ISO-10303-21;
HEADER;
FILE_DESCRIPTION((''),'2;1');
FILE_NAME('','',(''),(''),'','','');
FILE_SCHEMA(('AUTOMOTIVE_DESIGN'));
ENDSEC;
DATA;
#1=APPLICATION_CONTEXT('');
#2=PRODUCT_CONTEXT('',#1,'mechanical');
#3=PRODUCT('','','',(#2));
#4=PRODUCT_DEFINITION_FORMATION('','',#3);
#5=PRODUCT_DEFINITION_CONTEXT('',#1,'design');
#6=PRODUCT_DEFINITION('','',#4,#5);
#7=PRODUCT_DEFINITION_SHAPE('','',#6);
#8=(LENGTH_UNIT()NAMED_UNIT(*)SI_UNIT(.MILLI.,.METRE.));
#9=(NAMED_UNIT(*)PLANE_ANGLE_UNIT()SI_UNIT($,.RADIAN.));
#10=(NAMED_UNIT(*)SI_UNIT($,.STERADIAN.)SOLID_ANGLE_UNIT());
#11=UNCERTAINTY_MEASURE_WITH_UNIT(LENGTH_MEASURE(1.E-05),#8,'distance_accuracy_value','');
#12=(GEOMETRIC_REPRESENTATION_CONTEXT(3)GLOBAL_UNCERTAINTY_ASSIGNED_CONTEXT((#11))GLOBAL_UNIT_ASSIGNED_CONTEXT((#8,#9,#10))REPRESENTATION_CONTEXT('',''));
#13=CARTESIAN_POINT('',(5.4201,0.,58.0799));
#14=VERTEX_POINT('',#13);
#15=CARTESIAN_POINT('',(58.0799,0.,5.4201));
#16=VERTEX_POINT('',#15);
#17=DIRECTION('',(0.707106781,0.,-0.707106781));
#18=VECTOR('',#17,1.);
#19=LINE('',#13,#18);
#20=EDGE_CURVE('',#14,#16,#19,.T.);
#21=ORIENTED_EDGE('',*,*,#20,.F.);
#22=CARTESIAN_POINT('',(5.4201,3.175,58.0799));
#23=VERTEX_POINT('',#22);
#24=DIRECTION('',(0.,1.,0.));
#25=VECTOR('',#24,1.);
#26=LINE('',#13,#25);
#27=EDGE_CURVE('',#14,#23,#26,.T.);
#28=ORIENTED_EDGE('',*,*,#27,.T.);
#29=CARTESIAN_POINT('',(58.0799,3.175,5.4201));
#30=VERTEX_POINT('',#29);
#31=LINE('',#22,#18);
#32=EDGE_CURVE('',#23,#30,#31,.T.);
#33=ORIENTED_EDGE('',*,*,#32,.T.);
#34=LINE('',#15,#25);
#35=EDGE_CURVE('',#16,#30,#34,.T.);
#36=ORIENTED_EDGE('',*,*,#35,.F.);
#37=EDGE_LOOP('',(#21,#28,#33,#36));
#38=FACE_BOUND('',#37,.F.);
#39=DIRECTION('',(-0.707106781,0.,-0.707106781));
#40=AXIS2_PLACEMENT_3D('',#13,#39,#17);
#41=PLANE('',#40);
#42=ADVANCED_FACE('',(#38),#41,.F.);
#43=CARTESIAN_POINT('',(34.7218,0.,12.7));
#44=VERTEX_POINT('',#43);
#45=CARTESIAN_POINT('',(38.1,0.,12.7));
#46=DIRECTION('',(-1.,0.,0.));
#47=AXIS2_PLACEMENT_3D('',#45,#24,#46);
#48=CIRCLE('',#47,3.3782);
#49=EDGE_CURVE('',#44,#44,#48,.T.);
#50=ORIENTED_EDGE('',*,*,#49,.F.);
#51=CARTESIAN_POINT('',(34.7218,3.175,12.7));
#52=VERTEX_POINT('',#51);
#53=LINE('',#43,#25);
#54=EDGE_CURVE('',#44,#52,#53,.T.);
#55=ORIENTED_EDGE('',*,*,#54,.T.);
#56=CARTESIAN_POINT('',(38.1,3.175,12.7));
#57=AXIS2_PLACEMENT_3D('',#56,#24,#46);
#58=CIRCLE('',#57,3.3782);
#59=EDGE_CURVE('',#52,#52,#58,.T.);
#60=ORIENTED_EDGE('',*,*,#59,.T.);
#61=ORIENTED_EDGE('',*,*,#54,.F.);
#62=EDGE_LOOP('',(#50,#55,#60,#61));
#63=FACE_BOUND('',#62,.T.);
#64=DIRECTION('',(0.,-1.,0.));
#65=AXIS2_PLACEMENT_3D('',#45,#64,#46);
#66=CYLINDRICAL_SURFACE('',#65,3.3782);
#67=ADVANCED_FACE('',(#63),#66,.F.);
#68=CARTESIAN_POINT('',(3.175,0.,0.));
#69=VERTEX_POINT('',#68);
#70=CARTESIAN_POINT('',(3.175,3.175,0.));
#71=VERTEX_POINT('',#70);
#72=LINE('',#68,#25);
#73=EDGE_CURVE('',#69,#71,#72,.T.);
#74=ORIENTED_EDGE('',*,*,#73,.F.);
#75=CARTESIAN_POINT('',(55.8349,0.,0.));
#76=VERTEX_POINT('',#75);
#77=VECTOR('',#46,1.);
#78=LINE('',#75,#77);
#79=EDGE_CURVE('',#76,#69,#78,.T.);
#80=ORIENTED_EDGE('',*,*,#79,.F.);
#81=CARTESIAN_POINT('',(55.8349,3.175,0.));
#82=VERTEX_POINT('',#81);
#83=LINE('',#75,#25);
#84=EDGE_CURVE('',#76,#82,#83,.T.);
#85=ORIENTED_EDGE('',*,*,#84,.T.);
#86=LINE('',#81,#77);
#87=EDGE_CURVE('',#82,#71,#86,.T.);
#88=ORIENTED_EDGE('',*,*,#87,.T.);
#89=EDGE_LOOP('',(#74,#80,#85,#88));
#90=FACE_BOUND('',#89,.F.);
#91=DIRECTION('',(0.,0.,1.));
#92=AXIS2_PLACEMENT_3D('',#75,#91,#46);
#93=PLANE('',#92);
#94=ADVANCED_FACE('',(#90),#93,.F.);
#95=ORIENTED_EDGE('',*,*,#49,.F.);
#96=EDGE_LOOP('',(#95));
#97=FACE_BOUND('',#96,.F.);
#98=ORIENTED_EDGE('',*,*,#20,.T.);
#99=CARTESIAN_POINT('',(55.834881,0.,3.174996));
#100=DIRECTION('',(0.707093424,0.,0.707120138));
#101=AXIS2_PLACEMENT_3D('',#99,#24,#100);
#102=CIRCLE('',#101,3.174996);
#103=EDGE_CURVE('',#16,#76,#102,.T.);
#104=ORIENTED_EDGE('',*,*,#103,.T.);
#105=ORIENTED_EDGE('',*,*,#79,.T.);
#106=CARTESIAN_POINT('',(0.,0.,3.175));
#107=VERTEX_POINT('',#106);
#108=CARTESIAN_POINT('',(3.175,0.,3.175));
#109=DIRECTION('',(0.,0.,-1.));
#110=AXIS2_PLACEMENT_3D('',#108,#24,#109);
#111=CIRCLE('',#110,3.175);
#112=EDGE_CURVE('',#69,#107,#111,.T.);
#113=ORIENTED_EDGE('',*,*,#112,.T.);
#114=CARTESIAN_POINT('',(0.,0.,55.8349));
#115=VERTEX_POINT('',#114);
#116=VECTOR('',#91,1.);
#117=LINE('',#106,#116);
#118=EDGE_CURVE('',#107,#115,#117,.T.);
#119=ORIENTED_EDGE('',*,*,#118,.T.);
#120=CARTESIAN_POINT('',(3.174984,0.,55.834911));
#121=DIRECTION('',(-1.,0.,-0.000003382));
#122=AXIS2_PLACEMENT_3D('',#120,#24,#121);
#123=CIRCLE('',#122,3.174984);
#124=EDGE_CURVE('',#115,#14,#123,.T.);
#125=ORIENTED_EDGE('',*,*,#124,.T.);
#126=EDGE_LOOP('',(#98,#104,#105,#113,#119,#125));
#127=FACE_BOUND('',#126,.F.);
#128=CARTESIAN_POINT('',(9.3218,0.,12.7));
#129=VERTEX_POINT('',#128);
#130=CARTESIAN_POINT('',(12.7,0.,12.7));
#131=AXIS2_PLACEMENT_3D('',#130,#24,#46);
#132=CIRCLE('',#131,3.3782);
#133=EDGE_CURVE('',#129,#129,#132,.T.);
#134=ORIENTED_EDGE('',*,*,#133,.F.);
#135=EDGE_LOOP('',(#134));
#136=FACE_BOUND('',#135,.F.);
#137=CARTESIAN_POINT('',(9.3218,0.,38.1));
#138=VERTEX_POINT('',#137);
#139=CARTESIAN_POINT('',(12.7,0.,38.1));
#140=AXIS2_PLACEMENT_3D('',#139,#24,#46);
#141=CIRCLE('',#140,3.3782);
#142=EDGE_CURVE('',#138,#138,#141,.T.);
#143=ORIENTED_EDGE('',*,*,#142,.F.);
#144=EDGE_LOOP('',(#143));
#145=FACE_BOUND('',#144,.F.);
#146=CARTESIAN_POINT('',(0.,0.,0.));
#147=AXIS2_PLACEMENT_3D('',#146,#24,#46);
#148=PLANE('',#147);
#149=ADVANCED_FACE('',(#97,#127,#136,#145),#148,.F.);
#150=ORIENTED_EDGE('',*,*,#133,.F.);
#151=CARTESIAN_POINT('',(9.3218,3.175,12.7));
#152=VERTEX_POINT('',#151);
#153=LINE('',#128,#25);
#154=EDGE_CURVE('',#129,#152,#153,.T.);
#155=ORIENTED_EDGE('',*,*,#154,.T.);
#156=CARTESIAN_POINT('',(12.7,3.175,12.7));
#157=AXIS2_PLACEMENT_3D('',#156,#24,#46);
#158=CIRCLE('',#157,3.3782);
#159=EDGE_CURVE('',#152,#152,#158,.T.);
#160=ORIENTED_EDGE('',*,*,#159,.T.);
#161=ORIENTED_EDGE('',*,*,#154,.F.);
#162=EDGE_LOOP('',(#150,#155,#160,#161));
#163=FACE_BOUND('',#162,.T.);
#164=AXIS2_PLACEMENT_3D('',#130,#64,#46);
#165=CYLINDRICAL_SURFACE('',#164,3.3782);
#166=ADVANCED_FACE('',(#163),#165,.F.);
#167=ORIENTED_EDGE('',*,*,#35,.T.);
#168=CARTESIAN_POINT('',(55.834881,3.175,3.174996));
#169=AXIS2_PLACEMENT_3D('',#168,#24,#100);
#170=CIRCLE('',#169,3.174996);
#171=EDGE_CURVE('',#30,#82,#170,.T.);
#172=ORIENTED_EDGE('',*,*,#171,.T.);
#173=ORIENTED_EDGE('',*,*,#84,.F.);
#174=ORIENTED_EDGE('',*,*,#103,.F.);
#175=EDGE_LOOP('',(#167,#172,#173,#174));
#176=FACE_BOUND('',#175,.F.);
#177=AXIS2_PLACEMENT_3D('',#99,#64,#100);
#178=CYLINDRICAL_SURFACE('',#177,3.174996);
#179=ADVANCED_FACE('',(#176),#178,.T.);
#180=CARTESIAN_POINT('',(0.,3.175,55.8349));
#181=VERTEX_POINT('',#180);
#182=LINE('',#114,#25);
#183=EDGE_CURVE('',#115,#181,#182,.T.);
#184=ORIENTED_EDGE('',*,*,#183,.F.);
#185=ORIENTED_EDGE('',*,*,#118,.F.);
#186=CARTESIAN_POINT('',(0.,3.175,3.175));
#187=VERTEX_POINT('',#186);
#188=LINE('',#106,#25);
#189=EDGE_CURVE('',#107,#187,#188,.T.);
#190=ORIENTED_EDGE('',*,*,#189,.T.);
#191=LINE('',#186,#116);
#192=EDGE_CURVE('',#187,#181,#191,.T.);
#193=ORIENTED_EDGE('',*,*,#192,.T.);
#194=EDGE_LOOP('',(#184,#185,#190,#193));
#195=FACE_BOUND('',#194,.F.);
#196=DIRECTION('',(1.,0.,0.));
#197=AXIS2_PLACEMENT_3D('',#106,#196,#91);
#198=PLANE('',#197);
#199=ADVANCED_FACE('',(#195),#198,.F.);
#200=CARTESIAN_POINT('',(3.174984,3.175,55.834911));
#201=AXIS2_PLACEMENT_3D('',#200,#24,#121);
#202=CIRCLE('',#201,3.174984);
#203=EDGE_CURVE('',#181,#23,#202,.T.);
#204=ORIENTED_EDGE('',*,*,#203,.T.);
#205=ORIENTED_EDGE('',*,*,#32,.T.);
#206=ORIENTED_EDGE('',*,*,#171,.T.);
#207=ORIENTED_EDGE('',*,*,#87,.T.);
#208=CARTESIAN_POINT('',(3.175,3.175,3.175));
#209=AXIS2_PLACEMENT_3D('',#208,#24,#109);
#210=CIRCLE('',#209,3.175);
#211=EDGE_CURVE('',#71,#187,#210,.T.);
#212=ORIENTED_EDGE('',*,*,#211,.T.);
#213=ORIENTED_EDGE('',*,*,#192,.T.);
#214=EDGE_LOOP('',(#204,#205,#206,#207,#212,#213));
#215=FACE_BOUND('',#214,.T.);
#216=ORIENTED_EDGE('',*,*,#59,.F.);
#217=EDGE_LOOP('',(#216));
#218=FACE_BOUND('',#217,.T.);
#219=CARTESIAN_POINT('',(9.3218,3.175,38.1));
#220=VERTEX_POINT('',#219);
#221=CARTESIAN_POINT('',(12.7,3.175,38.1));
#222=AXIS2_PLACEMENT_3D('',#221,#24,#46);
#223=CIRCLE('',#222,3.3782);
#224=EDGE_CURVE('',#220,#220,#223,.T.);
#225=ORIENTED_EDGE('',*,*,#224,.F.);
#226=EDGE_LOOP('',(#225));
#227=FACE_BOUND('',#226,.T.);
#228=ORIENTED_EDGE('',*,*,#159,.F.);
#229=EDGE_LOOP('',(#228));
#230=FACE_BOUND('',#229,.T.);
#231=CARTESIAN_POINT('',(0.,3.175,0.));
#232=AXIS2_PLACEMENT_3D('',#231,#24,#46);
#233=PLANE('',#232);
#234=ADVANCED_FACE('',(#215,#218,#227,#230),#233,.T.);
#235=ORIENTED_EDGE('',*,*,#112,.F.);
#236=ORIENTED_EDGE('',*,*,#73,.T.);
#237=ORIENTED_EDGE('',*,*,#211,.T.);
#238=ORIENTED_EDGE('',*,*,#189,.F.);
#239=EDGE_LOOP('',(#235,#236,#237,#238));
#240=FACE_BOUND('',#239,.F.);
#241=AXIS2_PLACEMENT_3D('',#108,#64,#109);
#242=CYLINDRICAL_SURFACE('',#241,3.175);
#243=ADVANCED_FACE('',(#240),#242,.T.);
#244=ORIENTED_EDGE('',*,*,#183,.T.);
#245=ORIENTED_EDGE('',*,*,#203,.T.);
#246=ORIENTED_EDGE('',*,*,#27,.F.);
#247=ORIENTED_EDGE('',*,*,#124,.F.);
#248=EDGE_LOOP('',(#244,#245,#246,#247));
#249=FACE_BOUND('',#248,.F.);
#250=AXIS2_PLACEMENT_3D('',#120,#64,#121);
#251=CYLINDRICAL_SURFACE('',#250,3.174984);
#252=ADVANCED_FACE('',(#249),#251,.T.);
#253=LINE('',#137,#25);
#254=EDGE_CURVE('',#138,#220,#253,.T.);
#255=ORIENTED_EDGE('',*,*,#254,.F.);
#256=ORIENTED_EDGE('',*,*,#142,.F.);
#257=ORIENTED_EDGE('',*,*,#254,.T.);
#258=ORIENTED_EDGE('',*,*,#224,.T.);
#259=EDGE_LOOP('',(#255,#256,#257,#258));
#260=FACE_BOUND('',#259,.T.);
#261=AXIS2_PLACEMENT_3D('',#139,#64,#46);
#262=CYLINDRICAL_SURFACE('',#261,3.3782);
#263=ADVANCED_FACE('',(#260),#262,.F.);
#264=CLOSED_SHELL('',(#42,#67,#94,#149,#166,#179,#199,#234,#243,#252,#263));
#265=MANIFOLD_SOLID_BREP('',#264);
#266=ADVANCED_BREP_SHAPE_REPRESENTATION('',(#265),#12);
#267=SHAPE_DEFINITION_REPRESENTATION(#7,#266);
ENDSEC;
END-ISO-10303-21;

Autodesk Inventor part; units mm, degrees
ref_plane "YZ Plane" through (0, 0, 0) normal (1, 0, 0) x (0, 1, 0)
ref_plane "XZ Plane" through (0, 0, 0) normal (0, 1, 0) x (-1, 0, 0)
ref_plane "XY Plane" through (0, 0, 0) normal (0, 0, 1) x (1, 0, 0)
sketch "Sketch1" plane through (0, 0, 0) normal (0, 1, 0) x (-1, 0, 0)
  circle A0 centre (-12.7, 12.7) radius 3.3782
  circle A1 centre (-12.7, 38.1) radius 3.3782
  circle A2 centre (-38.1, 12.7) radius 3.3782
  line L0 (0, 0) -> (0, -17.2047) construction
  line L1 (0, 3.175) -> (0, 55.8349)
  line L2 (-5.4201, 58.0799) -> (-58.0799, 5.4201)
  line L3 (-55.8349, 0) -> (-3.175, 0)
  arc A3 (-58.0799, 5.4201) -> (-55.8349, 0) centre (-55.8349, 3.175) ccw
  arc A4 (0, 55.8349) -> (-5.4201, 58.0799) centre (-3.175, 55.8349) ccw
  arc A5 (-3.175, 0) -> (0, 3.175) centre (-3.175, 3.175) ccw
  point P0 (0, -8.6024)
  point P1 (0, 63.5)
  point P2 (-63.5, 0)
  dimension "d3" = 6.7564
  dimension "d4" = 6.7564
  dimension "d5" = 6.7564
  dimension "d6" = 12.7
  dimension "d7" = 12.7
  dimension "d8" = 12.7
  dimension "d9" = 25.4
  dimension "d10" = 25.4
  dimension "d11" = 12.7
  dimension "d12" = 63.5
  dimension "d13" = 63.5
  dimension "d14" = 3.175
extrude "Extrusion1" add sketch "Sketch1" along normal blind 3.175
properties part number "Camera Gusset Plat"
